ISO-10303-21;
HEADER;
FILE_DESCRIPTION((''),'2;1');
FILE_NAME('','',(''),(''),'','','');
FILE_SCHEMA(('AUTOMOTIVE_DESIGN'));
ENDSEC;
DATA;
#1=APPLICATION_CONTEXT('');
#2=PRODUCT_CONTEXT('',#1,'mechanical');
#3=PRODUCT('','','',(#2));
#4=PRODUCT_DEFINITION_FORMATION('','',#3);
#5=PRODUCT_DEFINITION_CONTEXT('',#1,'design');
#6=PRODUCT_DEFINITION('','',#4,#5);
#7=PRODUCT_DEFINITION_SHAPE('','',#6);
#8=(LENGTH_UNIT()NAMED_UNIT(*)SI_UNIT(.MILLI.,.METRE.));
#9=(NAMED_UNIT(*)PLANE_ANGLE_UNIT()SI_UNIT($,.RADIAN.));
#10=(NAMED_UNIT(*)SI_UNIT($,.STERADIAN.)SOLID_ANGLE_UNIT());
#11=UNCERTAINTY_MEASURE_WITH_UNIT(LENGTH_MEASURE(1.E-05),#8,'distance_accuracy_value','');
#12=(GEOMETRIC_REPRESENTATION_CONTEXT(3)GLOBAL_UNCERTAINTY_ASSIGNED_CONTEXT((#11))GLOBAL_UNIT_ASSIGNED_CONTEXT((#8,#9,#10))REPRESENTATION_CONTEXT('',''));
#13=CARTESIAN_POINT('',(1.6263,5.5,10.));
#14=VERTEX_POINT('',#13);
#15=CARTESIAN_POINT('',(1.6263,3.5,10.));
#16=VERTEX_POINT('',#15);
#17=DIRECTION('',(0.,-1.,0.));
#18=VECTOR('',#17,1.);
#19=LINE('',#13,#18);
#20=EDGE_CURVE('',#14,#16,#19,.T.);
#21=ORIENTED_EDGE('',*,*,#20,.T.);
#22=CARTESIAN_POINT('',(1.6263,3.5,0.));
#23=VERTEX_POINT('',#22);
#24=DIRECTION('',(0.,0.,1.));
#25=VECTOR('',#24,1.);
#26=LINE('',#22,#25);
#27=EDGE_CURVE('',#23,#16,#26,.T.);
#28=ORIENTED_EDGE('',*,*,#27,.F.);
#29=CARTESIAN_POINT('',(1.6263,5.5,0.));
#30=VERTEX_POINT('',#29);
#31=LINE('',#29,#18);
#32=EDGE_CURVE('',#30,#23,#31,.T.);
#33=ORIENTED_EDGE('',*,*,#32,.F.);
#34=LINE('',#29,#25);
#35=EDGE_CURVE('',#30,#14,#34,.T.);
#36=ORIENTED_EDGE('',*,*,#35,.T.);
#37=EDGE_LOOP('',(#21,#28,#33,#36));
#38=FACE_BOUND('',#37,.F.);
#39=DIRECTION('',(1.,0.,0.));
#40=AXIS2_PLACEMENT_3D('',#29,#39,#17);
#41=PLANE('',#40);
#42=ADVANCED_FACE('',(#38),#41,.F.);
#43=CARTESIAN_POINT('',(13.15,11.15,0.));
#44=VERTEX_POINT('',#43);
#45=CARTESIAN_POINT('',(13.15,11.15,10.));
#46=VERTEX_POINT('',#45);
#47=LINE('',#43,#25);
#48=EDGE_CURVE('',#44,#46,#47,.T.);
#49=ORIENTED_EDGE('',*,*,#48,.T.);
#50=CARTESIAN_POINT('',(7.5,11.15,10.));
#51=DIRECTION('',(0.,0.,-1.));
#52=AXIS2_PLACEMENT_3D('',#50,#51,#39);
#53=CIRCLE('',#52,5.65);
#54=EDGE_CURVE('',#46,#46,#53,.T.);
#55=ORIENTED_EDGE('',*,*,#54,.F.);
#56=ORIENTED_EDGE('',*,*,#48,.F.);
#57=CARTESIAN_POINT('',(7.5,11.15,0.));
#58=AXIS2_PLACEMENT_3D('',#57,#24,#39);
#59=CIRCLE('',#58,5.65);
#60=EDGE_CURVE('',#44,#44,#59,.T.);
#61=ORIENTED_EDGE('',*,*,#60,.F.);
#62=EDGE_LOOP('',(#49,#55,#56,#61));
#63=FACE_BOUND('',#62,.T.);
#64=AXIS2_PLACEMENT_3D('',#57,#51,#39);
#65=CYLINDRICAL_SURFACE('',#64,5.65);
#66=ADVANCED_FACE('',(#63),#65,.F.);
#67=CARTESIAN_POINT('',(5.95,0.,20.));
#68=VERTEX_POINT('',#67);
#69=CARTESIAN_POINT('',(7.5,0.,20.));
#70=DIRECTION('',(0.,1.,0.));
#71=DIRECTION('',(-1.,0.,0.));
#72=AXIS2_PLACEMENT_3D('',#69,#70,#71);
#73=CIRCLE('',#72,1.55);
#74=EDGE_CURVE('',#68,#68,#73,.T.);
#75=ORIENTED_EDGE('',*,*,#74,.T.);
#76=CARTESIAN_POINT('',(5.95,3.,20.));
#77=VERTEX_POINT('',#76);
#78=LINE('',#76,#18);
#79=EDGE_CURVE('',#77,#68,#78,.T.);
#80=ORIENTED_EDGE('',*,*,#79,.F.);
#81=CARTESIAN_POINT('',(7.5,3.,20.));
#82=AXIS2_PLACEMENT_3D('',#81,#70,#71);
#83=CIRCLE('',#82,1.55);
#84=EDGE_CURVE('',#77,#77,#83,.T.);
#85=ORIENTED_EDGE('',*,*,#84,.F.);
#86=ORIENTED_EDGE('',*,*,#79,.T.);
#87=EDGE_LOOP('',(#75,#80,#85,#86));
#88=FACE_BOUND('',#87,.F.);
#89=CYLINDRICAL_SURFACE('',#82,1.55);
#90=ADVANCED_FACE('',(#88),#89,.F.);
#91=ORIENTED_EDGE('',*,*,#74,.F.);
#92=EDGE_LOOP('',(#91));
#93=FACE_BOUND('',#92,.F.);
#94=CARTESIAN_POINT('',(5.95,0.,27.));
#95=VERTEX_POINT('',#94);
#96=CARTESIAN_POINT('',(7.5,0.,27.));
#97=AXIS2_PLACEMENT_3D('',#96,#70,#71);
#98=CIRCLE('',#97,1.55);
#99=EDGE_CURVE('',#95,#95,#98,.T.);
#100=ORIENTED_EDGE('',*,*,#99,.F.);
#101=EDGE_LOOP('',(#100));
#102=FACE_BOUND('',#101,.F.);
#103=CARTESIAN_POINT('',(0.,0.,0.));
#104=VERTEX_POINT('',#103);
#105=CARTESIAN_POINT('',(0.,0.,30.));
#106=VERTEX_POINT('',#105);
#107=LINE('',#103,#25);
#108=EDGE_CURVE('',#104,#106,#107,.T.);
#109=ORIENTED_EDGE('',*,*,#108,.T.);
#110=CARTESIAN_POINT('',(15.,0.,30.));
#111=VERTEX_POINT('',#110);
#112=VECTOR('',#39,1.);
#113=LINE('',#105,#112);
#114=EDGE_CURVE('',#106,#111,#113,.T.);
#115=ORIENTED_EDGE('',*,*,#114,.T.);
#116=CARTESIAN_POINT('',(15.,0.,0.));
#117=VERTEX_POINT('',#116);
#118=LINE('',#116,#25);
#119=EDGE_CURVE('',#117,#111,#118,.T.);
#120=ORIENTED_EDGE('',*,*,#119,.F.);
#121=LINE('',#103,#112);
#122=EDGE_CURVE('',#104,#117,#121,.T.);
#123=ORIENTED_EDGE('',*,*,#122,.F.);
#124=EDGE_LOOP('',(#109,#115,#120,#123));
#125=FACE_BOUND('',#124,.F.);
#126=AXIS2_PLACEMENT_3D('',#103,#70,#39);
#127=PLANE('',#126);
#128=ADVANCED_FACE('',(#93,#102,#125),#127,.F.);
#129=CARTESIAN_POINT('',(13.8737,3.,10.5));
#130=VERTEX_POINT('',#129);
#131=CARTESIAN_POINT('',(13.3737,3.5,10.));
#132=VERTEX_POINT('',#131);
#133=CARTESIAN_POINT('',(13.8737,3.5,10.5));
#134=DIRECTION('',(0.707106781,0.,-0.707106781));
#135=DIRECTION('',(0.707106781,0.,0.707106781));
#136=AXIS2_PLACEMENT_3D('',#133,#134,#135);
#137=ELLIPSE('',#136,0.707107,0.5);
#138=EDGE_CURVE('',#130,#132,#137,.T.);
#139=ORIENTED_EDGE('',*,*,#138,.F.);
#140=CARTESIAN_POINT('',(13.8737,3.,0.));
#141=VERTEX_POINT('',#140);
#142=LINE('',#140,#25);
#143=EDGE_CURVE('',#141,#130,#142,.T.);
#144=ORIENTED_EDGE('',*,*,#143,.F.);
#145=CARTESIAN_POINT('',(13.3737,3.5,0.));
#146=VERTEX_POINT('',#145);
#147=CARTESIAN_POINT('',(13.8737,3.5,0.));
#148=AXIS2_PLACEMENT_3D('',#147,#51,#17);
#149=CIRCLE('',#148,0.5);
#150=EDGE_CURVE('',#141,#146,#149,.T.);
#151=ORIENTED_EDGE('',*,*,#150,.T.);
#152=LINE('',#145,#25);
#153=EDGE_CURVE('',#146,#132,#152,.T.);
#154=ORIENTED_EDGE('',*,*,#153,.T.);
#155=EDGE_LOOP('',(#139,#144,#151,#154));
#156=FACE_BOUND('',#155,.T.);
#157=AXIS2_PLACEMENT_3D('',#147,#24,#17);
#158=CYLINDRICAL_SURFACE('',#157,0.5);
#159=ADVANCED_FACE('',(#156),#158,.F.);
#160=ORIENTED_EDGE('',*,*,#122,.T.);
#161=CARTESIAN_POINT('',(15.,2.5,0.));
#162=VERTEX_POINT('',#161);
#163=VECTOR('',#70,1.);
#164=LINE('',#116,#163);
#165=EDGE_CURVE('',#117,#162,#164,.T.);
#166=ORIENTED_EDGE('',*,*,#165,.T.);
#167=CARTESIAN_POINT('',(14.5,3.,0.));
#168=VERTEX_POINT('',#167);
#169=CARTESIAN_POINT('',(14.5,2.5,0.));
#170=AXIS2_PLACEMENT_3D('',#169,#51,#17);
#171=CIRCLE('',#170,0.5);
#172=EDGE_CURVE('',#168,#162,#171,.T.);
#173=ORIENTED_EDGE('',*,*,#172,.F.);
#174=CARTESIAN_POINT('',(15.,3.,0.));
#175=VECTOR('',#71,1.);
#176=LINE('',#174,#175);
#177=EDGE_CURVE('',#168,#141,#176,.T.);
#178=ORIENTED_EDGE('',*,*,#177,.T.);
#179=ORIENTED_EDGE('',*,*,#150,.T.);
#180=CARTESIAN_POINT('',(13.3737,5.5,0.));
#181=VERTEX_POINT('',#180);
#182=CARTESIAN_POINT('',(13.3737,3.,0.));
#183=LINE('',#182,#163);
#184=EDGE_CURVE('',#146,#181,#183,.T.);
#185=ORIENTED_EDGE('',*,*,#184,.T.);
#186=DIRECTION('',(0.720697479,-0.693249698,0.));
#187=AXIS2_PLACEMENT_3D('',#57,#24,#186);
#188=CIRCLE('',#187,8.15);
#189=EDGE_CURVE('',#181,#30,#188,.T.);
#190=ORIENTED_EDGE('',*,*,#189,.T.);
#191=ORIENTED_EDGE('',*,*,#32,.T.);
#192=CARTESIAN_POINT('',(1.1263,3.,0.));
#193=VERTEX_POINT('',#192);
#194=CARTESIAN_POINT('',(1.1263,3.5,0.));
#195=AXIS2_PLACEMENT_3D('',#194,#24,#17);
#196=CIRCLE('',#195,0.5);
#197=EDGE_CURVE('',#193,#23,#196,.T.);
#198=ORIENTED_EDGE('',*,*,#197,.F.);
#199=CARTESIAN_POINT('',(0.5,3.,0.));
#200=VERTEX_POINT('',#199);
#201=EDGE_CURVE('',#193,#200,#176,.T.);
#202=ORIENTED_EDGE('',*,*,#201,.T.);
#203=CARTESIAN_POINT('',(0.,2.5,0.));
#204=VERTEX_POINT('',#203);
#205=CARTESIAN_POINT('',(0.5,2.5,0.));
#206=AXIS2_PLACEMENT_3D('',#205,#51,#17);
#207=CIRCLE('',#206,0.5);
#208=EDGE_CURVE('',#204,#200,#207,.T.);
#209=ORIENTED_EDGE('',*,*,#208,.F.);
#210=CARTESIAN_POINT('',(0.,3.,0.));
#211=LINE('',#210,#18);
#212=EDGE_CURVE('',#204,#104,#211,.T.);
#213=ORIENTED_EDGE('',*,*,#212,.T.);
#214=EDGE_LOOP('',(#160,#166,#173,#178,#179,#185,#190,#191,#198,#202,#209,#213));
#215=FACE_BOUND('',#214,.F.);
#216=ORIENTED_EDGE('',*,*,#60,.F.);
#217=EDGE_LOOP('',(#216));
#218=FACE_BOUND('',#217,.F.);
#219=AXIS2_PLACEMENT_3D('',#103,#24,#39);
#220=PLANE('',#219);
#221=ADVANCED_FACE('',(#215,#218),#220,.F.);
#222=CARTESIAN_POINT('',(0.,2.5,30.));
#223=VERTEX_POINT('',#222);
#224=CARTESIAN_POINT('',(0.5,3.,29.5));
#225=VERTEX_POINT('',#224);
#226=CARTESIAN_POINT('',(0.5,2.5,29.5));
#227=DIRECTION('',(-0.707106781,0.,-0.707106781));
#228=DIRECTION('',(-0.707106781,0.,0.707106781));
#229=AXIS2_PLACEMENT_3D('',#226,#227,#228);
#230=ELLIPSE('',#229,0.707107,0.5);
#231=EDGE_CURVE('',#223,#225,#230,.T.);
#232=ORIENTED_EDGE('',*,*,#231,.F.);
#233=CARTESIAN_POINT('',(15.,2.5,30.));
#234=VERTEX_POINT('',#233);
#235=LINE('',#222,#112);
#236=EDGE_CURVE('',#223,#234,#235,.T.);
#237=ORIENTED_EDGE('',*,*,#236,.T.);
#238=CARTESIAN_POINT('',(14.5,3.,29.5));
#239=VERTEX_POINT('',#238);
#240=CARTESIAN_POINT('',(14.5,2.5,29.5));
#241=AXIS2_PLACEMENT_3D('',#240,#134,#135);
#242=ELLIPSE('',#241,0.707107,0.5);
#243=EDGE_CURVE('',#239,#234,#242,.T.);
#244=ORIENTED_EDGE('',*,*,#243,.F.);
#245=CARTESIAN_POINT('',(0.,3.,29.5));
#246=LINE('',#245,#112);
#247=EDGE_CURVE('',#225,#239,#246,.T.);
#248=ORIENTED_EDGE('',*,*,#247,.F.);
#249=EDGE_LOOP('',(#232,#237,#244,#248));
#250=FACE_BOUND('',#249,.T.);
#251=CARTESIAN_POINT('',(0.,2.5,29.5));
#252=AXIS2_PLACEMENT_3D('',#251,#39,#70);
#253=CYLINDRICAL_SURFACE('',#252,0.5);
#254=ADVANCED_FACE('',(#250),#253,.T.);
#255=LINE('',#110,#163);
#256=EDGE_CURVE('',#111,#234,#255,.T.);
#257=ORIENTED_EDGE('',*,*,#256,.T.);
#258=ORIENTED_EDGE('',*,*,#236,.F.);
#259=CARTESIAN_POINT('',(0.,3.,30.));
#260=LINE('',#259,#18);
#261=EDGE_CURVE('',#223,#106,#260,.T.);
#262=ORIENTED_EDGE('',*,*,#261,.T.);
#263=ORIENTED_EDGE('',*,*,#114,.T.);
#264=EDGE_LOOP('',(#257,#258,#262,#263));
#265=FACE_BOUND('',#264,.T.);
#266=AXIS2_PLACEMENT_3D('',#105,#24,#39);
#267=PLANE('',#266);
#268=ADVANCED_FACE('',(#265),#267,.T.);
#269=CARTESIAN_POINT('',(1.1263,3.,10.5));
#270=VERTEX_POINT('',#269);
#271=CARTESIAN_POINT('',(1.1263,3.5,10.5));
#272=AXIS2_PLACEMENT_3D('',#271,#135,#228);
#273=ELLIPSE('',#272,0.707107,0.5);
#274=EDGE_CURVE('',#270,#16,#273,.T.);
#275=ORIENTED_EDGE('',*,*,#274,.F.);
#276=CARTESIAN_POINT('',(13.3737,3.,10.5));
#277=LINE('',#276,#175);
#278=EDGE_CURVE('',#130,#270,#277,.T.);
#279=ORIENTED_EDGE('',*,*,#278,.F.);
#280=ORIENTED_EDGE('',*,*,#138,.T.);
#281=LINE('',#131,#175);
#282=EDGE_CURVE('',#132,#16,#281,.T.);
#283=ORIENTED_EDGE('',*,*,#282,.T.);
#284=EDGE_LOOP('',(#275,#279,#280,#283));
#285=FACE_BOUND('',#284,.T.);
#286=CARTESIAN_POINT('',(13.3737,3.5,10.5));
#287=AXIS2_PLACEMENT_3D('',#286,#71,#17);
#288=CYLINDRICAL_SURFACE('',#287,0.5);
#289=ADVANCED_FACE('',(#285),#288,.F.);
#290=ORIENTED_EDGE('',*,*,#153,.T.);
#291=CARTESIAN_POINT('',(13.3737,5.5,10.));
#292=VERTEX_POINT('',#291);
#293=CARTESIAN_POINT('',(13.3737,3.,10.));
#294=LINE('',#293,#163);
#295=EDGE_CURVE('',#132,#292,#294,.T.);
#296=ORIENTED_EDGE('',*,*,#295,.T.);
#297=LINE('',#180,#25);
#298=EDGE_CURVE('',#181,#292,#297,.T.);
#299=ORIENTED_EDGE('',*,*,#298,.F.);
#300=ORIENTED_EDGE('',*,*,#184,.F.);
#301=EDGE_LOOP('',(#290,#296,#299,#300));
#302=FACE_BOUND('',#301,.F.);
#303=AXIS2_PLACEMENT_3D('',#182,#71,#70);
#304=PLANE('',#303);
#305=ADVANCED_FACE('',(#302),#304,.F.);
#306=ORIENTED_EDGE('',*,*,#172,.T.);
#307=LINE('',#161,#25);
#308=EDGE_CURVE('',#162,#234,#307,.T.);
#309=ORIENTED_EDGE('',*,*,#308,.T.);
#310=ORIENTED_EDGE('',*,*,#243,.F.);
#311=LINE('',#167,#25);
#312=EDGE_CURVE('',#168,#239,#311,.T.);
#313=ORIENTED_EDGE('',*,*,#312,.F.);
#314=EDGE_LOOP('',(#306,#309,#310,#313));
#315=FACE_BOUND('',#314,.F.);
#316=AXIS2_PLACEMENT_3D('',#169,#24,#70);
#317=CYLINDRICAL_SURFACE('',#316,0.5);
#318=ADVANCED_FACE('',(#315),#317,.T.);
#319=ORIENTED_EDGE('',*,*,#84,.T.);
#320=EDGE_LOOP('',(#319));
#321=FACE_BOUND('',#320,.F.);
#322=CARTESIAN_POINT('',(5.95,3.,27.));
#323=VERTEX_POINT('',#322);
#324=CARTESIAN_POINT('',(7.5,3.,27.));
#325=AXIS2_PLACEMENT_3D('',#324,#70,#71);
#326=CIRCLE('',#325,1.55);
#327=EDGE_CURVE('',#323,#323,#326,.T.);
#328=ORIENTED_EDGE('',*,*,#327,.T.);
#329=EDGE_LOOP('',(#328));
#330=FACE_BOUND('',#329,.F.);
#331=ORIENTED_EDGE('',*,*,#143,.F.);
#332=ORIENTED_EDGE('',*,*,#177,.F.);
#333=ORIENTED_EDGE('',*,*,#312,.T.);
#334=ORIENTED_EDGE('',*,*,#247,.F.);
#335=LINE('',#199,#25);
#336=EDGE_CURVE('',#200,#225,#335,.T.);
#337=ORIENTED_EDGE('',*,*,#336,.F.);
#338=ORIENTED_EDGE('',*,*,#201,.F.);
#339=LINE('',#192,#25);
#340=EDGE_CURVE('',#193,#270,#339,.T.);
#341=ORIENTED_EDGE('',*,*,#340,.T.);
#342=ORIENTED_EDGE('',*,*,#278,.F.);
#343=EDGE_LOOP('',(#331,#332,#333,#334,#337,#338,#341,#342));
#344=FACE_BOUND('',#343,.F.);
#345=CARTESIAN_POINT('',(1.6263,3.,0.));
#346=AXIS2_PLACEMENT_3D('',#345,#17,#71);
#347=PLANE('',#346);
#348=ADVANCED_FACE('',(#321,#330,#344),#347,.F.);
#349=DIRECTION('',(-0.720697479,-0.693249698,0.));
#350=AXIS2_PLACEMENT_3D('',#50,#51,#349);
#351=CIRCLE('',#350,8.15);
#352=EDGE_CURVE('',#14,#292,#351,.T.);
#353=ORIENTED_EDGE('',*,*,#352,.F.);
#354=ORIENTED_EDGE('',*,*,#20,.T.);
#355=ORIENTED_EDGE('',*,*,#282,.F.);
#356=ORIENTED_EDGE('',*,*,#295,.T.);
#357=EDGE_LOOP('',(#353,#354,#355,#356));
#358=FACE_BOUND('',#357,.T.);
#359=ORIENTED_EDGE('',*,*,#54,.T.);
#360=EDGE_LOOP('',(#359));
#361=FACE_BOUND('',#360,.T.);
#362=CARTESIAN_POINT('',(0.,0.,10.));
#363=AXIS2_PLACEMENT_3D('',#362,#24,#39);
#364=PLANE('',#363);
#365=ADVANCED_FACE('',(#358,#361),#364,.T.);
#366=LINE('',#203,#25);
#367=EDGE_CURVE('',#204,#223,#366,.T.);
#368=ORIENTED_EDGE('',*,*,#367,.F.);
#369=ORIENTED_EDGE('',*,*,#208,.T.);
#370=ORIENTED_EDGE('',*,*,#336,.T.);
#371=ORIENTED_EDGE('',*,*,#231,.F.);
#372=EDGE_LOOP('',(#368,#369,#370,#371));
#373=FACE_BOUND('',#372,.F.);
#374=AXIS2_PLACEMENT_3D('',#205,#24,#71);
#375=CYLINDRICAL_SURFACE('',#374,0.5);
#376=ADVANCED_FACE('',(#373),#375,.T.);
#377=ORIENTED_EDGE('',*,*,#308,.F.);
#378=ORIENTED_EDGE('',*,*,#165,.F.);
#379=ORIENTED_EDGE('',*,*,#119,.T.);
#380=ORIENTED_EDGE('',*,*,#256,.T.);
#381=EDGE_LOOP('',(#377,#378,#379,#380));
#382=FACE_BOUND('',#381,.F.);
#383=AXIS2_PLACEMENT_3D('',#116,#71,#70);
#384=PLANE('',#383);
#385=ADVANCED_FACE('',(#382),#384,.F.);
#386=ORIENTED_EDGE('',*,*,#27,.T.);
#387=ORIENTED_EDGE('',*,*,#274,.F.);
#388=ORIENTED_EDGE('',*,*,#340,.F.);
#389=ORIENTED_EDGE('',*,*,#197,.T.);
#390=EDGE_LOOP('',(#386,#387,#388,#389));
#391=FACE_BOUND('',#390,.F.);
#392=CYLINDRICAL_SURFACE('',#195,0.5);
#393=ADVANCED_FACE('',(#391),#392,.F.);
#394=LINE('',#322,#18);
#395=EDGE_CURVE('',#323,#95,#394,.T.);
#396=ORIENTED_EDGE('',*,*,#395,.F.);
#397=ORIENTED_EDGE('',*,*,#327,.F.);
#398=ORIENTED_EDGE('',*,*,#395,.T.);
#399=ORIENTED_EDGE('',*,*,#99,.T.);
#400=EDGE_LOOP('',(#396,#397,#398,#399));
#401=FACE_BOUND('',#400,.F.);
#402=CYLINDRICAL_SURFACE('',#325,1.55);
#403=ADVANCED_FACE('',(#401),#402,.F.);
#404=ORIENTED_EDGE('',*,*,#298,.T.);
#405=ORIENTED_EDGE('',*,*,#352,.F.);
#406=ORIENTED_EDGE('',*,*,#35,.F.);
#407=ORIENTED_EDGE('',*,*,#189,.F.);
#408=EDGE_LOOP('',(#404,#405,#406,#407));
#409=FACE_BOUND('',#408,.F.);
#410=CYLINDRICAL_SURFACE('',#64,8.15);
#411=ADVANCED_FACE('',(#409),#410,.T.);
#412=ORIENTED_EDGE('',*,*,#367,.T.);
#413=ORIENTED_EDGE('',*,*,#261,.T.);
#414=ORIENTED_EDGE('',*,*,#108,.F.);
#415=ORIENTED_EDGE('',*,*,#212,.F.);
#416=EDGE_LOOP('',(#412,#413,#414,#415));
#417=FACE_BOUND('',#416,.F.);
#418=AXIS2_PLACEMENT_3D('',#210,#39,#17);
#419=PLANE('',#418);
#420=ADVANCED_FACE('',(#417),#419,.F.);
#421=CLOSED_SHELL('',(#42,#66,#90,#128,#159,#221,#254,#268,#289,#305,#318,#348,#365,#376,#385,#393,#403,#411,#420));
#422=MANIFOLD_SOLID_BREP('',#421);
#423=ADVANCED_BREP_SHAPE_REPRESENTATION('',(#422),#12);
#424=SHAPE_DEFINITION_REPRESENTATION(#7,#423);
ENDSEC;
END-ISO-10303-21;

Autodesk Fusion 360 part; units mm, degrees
sketch "Sketch1" plane through (0, 0, 0) normal (0, 0, 1) x (1, 0, 0)
  line L0 (0, 0) -> (15, 0)
  line L1 (15, 0) -> (15, 3)
  line L2 (15, 3) -> (0, 3)
  line L3 (0, 3) -> (0, 0)
  line L4 (1.6263, 3) -> (13.3737, 3)
  line L5 (13.3737, 3) -> (13.3737, 5.5)
  line L6 (13.3737, 5.5) -> (1.6263, 5.5)
  line L7 (1.6263, 5.5) -> (1.6263, 3)
  circle A0 centre (7.5, 11.15) radius 8.15
  circle A1 centre (7.5, 11.15) radius 5.65
  line L8 (7.5, 0) -> (7.5, 3) construction
  line L9 (7.5, 5.5) -> (7.5, 3) construction
  dimension "d1" = 11.3
  dimension "d2" = 15
  dimension "d4" = 3
  dimension "d19" = 2.5
extrude "Extrude1" add sketch "Sketch1" along normal blind 10 contours L2 L4 L7 A0 | L2 L4 L5 A0 | L6 A0 | L6 A0
extrude "Extrude2" add sketch "Sketch1" along normal blind 30 contours L0 L1 L2 L3 L4
sketch "Sketch2" plane through (0, 3, 0) normal (0, 1, 0) x (-1, 0, 0)
  line L0 (-13.3737, 0) -> (-13.3737, 10)
  line L1 (-13.3737, 10) -> (-1.6263, 10)
  line L2 (-1.6263, 10) -> (-1.6263, 0)
  line L3 (-1.6263, 0) -> (0, 0)
  line L4 (0, 0) -> (0, 30)
  line L5 (0, 30) -> (-15, 30)
  line L6 (-15, 30) -> (-15, 0)
  line L7 (-15, 0) -> (-13.3737, 0)
  line L8 (-7.5, 30) -> (-7.5, 10) construction
  circle A0 centre (-7.5, 27) radius 1.55
  circle A1 centre (-7.5, 20) radius 1.55
  dimension "d9" = 3.1
  dimension "d10" = 3.1
  dimension "d11" = 7
  dimension "d12" = 3
extrude "Extrude3" cut sketch "Sketch2" against normal up to surface (3 mm away) contours A0 | A1
fillet "Fillet1" radius 0.5 3 edges at (0, 3, 15) (7.5, 3, 30) (15, 3, 15)
fillet "Fillet2" radius 0.5 3 edges at (13.3737, 3, 5) (7.5, 3, 10) (1.6263, 3, 5)
equation "d10 = d9"
